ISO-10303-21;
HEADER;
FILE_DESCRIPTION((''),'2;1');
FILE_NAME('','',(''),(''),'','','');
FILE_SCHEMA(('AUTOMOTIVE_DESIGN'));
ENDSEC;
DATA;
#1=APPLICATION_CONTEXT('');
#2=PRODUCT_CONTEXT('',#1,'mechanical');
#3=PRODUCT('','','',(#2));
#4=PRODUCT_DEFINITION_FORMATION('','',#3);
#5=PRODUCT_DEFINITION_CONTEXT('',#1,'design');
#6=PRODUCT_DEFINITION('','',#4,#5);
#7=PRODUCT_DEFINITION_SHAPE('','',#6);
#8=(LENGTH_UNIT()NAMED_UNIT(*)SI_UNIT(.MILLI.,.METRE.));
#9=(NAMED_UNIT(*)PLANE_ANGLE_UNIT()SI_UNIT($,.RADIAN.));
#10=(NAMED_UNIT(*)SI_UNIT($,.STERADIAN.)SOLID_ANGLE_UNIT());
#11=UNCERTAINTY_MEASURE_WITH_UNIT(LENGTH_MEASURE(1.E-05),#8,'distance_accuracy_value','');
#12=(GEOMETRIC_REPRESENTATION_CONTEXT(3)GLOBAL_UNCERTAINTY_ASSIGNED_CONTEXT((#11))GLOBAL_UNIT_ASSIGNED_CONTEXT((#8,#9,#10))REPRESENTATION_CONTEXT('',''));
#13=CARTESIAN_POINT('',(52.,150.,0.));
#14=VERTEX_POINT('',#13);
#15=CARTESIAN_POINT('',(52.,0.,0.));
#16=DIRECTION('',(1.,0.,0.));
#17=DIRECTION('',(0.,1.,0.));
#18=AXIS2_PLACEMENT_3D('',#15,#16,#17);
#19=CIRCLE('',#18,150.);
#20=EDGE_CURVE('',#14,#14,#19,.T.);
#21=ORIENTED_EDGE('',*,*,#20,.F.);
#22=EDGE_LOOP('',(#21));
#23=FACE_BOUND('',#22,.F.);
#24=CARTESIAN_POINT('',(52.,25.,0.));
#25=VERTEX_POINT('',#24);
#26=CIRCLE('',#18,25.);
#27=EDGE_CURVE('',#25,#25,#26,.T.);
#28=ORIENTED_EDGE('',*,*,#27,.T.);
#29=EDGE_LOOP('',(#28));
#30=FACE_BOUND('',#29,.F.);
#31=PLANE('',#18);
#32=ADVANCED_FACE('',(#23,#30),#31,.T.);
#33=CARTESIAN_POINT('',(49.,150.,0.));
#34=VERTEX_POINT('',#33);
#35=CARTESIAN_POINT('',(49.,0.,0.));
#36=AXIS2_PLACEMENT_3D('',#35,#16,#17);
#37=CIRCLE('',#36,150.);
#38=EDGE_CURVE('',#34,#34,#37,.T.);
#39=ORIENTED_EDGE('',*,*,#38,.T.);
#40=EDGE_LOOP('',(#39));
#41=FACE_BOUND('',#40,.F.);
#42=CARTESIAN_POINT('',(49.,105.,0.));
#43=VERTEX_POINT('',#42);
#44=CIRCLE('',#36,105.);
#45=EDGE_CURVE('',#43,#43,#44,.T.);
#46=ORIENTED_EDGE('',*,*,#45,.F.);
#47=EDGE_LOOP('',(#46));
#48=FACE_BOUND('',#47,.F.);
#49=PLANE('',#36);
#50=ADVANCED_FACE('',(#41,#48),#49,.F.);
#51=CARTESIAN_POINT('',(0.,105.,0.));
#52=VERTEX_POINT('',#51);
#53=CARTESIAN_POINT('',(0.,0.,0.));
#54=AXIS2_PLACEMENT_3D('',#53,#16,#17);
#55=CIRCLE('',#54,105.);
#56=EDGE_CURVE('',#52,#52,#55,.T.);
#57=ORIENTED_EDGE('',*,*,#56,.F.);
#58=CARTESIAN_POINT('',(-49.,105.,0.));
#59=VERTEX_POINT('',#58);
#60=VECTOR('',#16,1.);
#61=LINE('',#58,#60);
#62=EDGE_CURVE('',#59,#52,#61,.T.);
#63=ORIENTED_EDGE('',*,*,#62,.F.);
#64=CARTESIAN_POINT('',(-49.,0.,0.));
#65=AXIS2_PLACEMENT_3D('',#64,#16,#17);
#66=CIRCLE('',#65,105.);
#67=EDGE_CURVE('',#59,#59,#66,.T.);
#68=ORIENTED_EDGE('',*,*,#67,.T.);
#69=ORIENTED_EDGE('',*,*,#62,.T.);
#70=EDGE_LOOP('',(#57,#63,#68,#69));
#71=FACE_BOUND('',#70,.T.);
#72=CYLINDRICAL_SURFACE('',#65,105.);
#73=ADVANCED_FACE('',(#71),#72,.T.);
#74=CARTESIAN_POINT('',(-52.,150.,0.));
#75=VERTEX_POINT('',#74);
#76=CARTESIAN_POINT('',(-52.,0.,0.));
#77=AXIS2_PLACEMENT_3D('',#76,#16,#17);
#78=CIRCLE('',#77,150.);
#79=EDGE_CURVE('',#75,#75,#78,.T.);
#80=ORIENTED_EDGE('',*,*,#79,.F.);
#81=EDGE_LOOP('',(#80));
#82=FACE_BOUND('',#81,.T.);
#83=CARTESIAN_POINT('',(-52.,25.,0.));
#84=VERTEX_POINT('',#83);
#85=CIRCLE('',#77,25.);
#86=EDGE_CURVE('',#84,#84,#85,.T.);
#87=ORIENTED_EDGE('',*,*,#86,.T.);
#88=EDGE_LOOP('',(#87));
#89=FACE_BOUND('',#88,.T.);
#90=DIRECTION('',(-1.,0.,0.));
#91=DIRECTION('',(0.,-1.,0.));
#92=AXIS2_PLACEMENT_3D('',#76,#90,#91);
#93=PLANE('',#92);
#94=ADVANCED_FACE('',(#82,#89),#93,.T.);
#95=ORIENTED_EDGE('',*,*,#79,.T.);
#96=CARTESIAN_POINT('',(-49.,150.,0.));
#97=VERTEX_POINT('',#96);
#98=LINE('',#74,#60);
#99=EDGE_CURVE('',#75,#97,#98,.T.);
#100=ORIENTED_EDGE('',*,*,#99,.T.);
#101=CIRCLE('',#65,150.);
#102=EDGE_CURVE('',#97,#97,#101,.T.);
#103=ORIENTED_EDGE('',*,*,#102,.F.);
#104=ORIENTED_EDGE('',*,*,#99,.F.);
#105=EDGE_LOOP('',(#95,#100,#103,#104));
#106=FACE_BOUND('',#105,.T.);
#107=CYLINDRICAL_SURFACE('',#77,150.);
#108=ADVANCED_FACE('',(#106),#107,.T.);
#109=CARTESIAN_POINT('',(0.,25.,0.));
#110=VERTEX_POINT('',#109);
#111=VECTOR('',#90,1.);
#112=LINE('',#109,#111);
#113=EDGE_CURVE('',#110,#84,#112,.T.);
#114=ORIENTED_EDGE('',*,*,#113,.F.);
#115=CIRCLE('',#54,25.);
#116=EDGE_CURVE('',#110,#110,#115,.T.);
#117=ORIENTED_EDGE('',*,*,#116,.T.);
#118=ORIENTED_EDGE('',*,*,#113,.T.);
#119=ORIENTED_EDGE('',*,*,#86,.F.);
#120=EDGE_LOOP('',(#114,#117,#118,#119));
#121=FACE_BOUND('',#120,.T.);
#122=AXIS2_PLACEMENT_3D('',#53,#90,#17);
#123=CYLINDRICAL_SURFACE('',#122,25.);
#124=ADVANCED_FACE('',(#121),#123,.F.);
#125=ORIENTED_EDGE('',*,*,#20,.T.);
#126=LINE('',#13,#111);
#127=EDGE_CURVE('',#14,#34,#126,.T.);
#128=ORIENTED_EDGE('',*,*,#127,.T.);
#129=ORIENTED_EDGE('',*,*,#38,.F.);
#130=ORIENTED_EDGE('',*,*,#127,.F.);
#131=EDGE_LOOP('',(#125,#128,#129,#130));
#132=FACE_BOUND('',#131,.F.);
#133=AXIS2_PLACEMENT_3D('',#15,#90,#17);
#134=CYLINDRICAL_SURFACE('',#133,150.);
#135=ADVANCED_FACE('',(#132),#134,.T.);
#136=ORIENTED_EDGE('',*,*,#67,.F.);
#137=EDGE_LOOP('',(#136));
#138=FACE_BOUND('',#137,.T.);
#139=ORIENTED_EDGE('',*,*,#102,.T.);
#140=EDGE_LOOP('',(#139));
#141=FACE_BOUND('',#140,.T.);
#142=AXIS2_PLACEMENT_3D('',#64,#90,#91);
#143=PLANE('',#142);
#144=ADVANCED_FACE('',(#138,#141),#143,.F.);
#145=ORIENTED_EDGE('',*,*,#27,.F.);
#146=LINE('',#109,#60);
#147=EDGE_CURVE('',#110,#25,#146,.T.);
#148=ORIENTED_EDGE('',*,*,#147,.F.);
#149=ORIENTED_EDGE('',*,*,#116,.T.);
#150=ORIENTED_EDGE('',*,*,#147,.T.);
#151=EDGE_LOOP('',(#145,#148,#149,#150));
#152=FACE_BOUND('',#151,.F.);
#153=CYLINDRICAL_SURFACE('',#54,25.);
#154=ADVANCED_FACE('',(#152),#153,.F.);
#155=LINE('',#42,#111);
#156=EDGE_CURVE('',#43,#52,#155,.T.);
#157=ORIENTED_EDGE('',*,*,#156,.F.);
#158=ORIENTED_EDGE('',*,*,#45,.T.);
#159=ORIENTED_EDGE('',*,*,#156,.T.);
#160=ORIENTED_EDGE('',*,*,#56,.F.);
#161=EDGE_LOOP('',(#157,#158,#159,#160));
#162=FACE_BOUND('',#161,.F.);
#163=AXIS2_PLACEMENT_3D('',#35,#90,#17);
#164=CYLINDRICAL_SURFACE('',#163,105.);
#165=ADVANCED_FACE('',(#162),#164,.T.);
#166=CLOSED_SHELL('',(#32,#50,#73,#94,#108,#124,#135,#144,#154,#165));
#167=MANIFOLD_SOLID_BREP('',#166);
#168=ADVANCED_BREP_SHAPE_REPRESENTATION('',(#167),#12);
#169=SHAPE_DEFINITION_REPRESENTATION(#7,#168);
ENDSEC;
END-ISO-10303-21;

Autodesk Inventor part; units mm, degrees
ref_plane "YZ Plane" through (0, 0, 0) normal (1, 0, 0) x (0, 1, 0)
ref_plane "XZ Plane" through (0, 0, 0) normal (0, 1, 0) x (-1, 0, 0)
ref_plane "XY Plane" through (0, 0, 0) normal (0, 0, 1) x (1, 0, 0)
sketch "Sketch1" plane through (0, 0, 0) normal (0, 0, 1) x (1, 0, 0)
  line L0 (0, 0) -> (52, 0)
  line L1 (52, 0) -> (52, 150)
  line L2 (52, 150) -> (49, 150)
  line L3 (49, 150) -> (49, 105)
  line L4 (49, 105) -> (0, 105)
  line L5 (0, 105) -> (0, 0)
  line L6 (0, 25) -> (52, 25)
  dimension "d0" = 52
  dimension "d1" = 150
  dimension "d2" = 3
  dimension "d3" = 25
  dimension "d4" = 105
revolve "Revolution1" add sketch "Sketch1" angle 360 about axis through (0, 0, 0) along (1, 0, 0) contours L5 L4 L3 L2 L1 L6
mirror "Mirror1" about plane through (0, 65, 0) normal (-1, 0, 0) of "Revolution1"
properties part number "rolka_filamentu"
